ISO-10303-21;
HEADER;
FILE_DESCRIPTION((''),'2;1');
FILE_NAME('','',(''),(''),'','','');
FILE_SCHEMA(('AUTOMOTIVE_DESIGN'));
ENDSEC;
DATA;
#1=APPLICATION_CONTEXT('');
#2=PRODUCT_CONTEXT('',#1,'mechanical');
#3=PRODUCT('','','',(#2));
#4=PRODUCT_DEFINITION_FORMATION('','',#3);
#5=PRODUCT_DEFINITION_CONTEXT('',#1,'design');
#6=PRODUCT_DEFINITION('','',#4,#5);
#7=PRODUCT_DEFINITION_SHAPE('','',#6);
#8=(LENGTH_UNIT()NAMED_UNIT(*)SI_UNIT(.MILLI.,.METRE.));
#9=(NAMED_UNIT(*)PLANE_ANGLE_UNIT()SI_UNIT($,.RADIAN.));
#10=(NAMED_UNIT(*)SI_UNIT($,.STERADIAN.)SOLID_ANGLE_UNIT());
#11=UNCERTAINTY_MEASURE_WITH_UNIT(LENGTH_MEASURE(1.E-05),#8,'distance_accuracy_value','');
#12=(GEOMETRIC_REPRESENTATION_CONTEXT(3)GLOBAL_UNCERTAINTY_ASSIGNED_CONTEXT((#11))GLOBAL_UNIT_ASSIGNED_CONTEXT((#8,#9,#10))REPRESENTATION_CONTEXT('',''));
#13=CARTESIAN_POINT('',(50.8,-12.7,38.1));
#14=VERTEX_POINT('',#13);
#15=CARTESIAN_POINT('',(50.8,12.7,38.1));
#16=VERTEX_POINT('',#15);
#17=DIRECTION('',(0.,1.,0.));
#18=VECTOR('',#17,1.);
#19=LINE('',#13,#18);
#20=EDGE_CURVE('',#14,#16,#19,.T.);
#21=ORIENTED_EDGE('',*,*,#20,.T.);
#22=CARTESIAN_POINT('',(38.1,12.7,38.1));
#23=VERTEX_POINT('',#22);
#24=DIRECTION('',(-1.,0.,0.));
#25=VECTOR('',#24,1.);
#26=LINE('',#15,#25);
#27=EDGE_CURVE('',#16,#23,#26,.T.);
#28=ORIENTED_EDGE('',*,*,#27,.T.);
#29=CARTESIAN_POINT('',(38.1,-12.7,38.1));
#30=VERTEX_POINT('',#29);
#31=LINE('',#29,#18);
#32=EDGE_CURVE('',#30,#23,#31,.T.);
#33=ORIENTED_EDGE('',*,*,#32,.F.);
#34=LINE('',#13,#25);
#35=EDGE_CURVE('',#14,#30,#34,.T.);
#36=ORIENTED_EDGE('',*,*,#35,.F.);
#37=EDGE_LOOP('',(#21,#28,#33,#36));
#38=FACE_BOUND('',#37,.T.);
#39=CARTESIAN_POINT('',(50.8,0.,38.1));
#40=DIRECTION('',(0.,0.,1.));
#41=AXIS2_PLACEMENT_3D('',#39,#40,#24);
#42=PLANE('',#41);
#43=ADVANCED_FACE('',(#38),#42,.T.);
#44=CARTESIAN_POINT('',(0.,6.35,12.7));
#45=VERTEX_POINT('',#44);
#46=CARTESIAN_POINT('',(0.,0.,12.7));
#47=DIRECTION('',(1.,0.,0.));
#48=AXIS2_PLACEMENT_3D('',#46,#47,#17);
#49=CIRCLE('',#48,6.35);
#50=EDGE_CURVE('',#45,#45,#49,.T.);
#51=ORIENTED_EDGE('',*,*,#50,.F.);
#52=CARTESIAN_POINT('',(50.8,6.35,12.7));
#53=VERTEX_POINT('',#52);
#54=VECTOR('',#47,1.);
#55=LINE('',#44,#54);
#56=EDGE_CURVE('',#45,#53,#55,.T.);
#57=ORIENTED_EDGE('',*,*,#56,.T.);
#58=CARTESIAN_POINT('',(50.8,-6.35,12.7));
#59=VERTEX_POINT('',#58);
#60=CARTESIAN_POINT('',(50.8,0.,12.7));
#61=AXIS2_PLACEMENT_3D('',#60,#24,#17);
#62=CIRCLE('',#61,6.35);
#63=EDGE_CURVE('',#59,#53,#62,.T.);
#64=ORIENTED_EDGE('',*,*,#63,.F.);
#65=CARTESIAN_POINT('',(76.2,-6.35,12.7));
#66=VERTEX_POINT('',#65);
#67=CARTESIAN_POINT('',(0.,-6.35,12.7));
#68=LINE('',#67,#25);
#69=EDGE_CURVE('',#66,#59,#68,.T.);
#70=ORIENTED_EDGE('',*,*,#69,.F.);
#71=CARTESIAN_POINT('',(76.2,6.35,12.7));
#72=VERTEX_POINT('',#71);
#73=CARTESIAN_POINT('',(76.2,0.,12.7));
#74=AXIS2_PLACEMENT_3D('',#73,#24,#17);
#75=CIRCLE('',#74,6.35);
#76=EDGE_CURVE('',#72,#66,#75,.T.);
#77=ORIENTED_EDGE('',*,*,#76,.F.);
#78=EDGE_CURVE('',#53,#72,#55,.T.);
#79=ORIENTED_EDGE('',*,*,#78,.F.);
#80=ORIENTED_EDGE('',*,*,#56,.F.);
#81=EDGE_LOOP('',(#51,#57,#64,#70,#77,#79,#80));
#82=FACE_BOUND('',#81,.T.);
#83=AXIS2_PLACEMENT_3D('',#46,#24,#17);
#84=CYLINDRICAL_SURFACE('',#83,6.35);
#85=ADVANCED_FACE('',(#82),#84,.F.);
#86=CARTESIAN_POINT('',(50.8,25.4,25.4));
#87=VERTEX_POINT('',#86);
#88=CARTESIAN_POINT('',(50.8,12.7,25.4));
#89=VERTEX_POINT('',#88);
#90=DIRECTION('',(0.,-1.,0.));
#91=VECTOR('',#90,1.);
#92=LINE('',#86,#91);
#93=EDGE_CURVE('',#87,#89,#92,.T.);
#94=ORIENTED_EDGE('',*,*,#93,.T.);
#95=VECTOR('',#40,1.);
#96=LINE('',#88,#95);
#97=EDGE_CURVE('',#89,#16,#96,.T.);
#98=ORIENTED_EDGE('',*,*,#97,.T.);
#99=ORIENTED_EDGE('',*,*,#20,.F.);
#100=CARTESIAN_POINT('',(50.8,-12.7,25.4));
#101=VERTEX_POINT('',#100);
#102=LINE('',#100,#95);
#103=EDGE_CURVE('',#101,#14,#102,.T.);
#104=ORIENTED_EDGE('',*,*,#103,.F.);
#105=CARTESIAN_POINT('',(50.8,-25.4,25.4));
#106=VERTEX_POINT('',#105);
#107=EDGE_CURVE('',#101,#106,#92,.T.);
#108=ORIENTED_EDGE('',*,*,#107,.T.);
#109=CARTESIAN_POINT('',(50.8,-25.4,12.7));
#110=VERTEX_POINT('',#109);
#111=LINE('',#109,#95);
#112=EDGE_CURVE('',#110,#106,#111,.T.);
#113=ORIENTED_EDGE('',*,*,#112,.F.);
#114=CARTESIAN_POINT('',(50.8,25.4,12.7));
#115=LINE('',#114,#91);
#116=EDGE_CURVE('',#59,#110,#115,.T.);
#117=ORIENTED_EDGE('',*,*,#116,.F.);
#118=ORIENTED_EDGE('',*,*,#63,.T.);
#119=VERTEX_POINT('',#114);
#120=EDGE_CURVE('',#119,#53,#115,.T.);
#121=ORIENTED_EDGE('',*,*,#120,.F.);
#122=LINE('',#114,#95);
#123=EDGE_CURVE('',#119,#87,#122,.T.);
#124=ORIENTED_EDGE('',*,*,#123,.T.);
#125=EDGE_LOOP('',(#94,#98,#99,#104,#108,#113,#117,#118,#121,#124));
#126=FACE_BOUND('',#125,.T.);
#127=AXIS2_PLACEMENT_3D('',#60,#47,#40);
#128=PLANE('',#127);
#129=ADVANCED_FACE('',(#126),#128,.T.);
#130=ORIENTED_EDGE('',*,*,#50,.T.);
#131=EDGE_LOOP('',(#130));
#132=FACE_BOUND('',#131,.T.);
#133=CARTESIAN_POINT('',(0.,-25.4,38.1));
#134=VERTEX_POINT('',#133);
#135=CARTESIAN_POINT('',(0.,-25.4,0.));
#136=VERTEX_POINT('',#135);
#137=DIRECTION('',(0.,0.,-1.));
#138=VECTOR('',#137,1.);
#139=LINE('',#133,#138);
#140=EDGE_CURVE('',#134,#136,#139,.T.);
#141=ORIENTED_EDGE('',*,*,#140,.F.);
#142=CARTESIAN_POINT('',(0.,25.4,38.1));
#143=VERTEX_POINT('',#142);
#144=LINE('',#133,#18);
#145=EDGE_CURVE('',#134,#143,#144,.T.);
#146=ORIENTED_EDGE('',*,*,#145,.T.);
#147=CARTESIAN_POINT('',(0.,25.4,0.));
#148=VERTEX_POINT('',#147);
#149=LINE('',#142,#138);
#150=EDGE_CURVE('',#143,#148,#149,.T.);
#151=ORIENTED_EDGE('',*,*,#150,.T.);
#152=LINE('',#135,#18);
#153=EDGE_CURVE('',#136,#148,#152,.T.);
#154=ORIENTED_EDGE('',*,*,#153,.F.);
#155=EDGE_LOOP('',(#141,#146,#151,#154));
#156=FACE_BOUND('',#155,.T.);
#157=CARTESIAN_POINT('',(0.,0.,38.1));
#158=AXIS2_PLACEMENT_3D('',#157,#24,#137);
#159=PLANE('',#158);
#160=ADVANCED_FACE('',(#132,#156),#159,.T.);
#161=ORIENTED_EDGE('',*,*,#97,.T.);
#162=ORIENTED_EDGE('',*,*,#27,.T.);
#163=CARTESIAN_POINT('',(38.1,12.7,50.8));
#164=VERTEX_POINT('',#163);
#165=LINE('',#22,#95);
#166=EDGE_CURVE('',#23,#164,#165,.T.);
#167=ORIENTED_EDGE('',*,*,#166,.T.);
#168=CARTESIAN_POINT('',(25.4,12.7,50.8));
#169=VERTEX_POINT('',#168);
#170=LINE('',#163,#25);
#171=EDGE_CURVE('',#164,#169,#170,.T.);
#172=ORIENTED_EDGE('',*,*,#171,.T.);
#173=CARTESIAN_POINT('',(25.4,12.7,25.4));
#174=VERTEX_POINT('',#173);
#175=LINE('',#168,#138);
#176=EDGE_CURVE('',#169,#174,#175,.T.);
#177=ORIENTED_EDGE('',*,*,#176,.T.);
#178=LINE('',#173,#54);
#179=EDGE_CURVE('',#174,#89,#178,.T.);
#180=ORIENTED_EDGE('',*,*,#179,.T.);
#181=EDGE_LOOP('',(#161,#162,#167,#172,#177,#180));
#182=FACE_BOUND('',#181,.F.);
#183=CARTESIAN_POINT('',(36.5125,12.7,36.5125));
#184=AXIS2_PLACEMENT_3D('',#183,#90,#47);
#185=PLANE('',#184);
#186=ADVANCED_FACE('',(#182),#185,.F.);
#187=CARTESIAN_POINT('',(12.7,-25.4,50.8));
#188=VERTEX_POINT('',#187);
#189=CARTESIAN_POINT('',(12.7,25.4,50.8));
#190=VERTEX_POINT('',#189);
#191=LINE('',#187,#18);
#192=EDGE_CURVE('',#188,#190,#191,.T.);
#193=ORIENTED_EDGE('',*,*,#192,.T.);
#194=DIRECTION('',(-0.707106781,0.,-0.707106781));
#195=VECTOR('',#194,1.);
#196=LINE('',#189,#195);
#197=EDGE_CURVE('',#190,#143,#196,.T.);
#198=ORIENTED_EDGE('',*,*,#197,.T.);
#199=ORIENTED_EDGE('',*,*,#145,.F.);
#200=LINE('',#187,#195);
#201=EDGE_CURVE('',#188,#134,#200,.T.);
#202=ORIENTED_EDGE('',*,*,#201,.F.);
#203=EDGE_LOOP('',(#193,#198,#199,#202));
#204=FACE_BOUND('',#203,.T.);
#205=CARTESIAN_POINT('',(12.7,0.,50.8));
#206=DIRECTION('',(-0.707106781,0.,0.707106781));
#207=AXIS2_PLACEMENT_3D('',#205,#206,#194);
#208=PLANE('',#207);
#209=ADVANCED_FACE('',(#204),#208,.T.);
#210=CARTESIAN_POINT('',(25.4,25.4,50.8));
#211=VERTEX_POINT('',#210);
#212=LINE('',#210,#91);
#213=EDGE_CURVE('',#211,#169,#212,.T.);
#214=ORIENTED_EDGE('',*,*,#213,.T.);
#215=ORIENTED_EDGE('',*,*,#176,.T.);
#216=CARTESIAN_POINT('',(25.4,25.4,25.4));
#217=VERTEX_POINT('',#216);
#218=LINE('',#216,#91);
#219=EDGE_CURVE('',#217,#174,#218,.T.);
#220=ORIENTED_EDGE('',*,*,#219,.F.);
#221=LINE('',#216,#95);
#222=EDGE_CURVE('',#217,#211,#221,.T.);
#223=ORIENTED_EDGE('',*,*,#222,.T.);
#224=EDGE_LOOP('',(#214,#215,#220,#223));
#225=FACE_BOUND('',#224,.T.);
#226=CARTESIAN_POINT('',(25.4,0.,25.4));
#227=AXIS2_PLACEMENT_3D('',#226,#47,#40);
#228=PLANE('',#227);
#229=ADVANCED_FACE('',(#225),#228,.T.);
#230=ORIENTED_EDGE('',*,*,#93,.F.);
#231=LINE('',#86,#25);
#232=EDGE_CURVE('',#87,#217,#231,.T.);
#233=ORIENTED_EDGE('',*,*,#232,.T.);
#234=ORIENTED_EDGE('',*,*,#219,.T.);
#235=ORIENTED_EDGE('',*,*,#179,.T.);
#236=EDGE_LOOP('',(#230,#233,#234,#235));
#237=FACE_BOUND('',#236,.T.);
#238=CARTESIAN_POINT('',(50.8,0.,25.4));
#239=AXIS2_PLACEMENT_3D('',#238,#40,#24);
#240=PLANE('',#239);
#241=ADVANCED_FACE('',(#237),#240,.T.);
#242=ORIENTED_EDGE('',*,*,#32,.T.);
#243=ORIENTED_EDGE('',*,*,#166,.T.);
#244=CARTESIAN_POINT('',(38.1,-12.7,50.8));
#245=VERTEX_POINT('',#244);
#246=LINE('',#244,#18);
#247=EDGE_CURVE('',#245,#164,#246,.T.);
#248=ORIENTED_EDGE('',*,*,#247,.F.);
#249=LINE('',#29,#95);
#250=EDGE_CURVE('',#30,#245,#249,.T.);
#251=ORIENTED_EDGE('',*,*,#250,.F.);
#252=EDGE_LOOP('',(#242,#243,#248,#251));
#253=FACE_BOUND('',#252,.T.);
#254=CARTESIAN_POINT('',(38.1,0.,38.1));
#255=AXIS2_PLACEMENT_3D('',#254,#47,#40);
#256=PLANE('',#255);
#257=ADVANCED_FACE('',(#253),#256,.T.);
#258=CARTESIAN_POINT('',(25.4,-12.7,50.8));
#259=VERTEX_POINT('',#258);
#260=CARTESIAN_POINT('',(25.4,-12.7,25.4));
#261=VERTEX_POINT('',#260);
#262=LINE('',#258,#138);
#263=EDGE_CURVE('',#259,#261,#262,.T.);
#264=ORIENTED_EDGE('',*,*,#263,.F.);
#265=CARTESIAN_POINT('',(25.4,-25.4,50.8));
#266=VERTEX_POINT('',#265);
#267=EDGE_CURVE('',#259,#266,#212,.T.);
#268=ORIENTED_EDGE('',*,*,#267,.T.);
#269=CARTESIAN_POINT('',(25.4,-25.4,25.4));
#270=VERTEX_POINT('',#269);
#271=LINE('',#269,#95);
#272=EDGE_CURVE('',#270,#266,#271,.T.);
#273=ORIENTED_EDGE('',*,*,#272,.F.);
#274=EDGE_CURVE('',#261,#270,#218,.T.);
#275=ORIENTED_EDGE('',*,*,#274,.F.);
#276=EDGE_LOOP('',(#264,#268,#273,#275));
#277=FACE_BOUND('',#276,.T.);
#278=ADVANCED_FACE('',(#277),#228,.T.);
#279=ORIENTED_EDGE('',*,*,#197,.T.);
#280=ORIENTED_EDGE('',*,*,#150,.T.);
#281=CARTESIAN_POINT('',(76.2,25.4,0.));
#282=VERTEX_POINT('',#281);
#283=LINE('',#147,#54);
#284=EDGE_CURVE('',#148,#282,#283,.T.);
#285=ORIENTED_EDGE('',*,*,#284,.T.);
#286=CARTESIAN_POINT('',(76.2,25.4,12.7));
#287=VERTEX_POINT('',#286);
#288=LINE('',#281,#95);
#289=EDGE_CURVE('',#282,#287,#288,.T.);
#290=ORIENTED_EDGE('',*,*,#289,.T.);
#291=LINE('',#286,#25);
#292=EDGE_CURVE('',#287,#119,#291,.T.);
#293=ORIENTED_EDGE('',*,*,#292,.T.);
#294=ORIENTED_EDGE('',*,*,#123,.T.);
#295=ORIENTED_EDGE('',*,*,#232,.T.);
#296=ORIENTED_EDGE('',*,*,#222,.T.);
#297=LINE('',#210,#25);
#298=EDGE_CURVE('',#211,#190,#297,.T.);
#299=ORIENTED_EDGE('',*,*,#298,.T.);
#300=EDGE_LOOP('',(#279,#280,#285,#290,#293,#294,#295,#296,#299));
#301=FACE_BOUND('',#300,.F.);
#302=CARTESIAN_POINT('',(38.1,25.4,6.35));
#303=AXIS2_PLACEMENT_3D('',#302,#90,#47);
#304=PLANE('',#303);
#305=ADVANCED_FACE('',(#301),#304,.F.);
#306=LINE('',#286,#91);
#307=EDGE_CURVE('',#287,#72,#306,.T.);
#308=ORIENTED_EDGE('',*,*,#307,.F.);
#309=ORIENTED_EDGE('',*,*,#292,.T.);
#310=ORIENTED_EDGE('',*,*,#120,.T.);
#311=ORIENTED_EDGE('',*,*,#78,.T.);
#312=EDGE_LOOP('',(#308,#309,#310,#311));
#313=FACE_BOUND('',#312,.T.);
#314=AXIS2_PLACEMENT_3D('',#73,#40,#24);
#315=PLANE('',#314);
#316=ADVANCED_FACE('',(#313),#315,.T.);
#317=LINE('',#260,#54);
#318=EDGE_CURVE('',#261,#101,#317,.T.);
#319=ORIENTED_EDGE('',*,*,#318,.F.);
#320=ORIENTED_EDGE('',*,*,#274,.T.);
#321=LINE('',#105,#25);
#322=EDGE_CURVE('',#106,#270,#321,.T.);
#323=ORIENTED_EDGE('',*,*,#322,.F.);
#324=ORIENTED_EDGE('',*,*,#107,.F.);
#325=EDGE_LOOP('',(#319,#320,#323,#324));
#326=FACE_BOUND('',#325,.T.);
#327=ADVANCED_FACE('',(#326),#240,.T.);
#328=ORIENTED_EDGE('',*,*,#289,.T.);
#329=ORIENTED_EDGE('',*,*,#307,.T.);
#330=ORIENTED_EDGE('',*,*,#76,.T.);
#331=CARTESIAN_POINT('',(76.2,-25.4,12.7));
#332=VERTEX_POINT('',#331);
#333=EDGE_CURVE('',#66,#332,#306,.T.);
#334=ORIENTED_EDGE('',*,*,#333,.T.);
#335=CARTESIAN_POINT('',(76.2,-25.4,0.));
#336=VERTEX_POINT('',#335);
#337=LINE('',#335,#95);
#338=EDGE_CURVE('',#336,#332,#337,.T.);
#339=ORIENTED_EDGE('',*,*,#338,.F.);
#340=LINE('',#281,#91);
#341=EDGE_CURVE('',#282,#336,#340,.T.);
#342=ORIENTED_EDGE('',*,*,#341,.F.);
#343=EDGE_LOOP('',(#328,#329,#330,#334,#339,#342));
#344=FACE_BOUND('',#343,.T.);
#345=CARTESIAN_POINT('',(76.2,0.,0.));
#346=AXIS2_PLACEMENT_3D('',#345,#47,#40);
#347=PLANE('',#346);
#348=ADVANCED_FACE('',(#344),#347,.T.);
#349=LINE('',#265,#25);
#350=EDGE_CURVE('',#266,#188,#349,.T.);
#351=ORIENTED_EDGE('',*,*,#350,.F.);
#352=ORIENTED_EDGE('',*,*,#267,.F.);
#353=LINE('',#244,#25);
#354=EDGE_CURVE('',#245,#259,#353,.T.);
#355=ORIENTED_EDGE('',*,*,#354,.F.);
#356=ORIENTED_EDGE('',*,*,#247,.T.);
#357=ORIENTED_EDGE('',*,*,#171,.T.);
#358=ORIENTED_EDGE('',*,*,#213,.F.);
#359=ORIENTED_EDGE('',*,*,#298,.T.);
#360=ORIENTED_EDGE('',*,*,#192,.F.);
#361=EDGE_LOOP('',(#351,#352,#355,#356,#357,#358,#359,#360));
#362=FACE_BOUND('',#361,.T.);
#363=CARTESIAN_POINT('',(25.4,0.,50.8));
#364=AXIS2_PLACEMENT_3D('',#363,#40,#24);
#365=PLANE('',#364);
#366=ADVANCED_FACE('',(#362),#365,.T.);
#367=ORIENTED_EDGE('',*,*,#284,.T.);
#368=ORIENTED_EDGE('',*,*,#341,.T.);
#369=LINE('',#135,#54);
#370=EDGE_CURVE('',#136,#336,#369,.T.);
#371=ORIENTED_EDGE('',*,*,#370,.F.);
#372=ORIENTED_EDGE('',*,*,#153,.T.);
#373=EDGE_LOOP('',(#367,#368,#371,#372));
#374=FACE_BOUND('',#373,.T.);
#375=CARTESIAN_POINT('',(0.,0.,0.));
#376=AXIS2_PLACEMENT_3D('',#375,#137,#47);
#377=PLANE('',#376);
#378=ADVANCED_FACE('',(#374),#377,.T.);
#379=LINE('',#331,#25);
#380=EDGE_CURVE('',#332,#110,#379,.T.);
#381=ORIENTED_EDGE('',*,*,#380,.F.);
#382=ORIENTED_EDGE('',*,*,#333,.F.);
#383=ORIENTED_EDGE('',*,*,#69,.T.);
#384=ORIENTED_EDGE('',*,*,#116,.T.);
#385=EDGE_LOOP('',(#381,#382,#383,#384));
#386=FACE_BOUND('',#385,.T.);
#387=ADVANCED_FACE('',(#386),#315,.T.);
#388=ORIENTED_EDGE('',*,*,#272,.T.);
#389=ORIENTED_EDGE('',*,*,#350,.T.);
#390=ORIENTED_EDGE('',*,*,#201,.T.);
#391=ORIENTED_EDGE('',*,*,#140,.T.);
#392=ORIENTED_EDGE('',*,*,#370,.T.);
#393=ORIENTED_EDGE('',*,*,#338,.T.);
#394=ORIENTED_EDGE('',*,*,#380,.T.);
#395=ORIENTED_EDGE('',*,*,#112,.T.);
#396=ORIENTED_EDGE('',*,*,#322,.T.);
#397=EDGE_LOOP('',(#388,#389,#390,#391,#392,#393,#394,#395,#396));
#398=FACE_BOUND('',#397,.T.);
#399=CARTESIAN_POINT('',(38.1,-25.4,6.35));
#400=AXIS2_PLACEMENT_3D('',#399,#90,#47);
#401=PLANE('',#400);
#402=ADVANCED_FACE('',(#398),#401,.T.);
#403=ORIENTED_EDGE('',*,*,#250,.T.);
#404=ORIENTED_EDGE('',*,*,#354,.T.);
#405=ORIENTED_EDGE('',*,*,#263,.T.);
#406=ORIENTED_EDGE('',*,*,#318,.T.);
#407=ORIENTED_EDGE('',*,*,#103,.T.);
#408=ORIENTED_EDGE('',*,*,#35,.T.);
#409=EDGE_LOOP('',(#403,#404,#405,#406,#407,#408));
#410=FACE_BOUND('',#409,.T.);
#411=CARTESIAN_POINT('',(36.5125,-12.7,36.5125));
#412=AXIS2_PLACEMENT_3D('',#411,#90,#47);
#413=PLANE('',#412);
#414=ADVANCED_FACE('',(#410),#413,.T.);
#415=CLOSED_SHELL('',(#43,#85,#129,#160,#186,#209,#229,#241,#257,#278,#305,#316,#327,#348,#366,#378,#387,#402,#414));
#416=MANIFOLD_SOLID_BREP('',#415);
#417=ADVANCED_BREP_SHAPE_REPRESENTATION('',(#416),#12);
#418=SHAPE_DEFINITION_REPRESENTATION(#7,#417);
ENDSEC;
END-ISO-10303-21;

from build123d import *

# Parameters (mm, degrees)
F1_DEPTH = 25.4
F2_R     = 6.35
F3_DEPTH = 76.201
F5_DEPTH = 12.7


with BuildPart() as f1:
    # F0 (on Front) → F1 (new body, symmetric)
    with BuildSketch(Plane.XZ):
        Polygon((0, 12.7), (0, 0), (76.2, 0), (76.2, 12.7), (50.8, 12.7), align=None)
        Polygon((0, 25.4), (0, 12.7), (50.8, 12.7), (50.8, 25.4), (25.4, 25.4), align=None)
        Polygon((0, 38.1), (0, 25.4), (25.4, 25.4), (25.4, 50.8), (12.7, 50.8), align=None)
    extrude(amount=F1_DEPTH, both=True)

    # F2 (on Right) → F3 (cut, through all)
    with BuildSketch(Plane.YZ):
        with Locations((0, 12.7)):
            Circle(F2_R)
    extrude(amount=F3_DEPTH, mode=Mode.SUBTRACT)

    # F4 (on Front) → F5 (join, symmetric)
    with BuildSketch(Plane.XZ):
        Polygon((38.1, 50.8), (25.4, 50.8), (25.4, 25.4), (50.8, 25.4), (50.8, 38.1), (38.1, 38.1), align=None)
    extrude(amount=F5_DEPTH, both=True)


solid = f1.part
